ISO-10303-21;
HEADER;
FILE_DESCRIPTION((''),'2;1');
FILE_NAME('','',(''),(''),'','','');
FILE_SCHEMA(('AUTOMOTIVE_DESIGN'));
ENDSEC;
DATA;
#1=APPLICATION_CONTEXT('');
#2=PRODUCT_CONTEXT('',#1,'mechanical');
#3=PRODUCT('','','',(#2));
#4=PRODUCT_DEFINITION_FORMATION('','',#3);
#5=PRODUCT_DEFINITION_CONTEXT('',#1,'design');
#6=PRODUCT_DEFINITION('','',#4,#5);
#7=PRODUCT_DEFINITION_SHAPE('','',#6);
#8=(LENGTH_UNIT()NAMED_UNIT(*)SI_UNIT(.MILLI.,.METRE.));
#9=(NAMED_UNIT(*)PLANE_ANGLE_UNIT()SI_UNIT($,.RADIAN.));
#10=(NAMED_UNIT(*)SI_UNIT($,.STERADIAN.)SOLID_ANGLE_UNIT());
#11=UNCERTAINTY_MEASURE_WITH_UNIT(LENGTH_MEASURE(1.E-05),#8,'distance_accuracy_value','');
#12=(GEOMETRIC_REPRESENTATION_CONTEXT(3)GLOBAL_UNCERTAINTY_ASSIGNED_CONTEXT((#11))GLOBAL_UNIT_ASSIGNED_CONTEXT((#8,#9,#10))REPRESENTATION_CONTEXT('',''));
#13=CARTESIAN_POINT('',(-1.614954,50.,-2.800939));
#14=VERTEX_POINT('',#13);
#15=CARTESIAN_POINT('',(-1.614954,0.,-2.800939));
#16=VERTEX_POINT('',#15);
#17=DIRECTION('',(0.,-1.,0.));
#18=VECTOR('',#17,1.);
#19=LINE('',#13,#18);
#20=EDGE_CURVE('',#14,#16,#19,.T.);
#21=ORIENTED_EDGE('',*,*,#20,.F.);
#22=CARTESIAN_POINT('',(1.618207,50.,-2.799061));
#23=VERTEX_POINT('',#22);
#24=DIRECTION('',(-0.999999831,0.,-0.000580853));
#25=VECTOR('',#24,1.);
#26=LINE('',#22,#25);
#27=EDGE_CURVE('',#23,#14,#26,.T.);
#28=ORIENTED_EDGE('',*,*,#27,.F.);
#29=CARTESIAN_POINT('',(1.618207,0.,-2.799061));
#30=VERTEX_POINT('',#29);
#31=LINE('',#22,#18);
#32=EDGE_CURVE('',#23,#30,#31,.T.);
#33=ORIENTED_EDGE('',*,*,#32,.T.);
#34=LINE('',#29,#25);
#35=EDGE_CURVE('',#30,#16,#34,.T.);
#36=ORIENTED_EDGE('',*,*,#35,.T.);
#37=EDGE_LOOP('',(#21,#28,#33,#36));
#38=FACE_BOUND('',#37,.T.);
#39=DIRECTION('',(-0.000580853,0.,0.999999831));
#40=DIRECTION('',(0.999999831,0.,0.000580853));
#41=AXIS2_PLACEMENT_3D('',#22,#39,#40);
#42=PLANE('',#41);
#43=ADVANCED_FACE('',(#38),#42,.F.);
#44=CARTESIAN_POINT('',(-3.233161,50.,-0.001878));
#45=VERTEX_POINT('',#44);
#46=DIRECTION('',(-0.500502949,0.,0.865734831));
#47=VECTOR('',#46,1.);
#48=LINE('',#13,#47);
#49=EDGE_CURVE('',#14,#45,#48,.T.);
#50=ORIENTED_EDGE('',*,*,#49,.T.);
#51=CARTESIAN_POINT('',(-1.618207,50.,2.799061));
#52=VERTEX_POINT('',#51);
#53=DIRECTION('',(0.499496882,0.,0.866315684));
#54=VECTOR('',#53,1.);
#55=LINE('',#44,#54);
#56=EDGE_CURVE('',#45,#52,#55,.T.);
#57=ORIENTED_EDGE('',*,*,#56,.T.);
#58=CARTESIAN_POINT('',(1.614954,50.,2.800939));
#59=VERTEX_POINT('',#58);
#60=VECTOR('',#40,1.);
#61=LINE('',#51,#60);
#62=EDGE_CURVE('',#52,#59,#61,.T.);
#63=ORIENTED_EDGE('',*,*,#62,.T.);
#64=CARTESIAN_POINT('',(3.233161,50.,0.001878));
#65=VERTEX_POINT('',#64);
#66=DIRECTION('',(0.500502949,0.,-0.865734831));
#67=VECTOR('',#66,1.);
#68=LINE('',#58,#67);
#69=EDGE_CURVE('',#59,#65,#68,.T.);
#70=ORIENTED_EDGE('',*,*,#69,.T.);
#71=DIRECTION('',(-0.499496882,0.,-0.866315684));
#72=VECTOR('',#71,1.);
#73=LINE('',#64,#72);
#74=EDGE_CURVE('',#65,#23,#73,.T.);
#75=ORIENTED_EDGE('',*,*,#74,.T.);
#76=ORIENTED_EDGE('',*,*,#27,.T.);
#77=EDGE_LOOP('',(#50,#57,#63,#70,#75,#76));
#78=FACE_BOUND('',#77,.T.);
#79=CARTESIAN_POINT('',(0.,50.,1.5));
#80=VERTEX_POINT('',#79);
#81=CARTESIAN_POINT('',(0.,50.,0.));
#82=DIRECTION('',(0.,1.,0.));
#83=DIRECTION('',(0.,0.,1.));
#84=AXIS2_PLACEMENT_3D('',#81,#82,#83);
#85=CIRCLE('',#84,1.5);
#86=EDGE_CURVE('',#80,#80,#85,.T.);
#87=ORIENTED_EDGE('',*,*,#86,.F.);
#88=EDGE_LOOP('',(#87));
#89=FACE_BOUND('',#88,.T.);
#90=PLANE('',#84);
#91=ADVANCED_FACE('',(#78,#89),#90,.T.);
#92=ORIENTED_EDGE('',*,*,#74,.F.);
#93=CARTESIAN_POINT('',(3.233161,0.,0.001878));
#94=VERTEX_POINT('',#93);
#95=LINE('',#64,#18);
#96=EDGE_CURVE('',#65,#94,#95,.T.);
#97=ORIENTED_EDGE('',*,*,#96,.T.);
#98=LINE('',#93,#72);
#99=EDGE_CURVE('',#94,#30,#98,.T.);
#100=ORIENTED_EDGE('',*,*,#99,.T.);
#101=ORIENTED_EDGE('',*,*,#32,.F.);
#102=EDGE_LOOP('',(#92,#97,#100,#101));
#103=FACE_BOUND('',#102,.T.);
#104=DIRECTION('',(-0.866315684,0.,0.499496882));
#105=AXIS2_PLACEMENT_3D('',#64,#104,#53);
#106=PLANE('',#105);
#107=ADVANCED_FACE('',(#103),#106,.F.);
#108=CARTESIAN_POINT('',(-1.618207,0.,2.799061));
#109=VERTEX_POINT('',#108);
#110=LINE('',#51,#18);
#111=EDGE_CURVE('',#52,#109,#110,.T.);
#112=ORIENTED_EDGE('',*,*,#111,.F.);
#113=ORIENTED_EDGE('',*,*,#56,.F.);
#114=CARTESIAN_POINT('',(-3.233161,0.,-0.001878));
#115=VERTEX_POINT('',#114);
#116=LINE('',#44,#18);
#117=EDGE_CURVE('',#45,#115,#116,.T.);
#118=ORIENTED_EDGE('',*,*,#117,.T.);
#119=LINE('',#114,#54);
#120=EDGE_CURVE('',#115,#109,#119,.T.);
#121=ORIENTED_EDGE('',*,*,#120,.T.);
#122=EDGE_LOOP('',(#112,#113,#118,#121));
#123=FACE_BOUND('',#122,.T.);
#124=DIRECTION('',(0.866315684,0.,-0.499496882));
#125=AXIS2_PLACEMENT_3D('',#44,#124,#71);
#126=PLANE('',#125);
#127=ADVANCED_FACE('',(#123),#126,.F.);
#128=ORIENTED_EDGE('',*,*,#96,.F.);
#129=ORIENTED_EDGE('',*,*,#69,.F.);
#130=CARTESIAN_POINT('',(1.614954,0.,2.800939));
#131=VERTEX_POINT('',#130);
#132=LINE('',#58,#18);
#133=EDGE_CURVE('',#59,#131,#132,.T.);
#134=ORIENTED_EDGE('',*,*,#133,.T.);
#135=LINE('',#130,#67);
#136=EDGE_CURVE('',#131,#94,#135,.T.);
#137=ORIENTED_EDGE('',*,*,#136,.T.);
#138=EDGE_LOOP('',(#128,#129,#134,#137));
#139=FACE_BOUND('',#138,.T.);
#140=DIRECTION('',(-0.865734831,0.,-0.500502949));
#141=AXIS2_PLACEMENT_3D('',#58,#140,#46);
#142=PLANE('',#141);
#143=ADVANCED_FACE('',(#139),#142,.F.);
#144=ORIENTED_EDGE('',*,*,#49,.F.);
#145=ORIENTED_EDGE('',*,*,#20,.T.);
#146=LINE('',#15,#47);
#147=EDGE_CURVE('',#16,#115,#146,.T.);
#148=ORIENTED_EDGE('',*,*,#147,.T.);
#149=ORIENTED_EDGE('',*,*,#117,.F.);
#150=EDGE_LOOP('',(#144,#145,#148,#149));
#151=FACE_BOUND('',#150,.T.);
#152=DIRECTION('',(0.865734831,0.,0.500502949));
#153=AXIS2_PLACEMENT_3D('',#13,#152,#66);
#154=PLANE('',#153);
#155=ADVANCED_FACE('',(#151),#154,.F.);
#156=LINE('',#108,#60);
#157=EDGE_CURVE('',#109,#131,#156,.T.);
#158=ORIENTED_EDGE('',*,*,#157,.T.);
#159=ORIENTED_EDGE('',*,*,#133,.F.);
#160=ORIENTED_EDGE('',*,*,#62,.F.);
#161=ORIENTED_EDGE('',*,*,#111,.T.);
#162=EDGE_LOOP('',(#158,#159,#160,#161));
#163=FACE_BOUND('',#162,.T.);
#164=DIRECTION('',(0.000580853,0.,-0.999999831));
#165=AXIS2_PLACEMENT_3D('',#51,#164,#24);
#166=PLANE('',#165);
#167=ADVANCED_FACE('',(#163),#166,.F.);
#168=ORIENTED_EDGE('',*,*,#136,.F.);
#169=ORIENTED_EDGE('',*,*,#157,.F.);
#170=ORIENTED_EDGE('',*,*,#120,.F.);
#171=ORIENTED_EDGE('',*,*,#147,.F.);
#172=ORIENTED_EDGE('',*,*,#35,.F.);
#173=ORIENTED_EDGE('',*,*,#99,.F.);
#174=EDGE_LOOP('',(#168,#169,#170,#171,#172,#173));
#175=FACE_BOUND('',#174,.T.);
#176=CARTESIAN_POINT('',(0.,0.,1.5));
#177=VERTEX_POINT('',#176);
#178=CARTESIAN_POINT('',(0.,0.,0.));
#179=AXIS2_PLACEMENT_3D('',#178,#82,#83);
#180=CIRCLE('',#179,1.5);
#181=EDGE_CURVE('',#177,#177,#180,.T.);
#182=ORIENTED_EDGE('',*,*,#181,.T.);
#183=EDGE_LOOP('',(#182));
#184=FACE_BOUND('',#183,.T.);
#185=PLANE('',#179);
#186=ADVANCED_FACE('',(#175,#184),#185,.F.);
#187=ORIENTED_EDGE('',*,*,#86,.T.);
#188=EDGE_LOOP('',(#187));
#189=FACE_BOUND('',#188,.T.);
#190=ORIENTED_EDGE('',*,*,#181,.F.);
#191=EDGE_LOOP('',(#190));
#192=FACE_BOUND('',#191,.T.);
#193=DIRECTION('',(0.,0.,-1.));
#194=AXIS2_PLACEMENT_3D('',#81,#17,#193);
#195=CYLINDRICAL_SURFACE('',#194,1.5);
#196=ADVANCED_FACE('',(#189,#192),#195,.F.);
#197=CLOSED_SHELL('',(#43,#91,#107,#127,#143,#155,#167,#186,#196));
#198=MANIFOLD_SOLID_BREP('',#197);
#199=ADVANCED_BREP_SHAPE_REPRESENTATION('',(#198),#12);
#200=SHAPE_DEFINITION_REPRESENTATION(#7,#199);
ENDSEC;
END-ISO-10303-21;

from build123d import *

# Parameters (mm, degrees)
SKETCH_1_R      = 1.5
EXTRUDE_1_DEPTH = 50


with BuildPart() as part:
    # 草图1 → 凸台-拉伸1 (new body)
    with BuildSketch(Plane(origin=(0, 0, 0), x_dir=(1, 0, 0), z_dir=(0, 1, 0))):
        Polygon((1.61820687, 2.799060532), (-1.614954092, 2.800938524), (-3.233160962, 0.001877992), (-1.61820687, -2.799060532), (1.614954092, -2.800938524), (3.233160962, -0.001877992), align=None)
        with Locations(Location((0, 0, 0), (0, 0, 270))):
            Circle(SKETCH_1_R, mode=Mode.SUBTRACT)
    extrude(amount=EXTRUDE_1_DEPTH)


solid = part.part
